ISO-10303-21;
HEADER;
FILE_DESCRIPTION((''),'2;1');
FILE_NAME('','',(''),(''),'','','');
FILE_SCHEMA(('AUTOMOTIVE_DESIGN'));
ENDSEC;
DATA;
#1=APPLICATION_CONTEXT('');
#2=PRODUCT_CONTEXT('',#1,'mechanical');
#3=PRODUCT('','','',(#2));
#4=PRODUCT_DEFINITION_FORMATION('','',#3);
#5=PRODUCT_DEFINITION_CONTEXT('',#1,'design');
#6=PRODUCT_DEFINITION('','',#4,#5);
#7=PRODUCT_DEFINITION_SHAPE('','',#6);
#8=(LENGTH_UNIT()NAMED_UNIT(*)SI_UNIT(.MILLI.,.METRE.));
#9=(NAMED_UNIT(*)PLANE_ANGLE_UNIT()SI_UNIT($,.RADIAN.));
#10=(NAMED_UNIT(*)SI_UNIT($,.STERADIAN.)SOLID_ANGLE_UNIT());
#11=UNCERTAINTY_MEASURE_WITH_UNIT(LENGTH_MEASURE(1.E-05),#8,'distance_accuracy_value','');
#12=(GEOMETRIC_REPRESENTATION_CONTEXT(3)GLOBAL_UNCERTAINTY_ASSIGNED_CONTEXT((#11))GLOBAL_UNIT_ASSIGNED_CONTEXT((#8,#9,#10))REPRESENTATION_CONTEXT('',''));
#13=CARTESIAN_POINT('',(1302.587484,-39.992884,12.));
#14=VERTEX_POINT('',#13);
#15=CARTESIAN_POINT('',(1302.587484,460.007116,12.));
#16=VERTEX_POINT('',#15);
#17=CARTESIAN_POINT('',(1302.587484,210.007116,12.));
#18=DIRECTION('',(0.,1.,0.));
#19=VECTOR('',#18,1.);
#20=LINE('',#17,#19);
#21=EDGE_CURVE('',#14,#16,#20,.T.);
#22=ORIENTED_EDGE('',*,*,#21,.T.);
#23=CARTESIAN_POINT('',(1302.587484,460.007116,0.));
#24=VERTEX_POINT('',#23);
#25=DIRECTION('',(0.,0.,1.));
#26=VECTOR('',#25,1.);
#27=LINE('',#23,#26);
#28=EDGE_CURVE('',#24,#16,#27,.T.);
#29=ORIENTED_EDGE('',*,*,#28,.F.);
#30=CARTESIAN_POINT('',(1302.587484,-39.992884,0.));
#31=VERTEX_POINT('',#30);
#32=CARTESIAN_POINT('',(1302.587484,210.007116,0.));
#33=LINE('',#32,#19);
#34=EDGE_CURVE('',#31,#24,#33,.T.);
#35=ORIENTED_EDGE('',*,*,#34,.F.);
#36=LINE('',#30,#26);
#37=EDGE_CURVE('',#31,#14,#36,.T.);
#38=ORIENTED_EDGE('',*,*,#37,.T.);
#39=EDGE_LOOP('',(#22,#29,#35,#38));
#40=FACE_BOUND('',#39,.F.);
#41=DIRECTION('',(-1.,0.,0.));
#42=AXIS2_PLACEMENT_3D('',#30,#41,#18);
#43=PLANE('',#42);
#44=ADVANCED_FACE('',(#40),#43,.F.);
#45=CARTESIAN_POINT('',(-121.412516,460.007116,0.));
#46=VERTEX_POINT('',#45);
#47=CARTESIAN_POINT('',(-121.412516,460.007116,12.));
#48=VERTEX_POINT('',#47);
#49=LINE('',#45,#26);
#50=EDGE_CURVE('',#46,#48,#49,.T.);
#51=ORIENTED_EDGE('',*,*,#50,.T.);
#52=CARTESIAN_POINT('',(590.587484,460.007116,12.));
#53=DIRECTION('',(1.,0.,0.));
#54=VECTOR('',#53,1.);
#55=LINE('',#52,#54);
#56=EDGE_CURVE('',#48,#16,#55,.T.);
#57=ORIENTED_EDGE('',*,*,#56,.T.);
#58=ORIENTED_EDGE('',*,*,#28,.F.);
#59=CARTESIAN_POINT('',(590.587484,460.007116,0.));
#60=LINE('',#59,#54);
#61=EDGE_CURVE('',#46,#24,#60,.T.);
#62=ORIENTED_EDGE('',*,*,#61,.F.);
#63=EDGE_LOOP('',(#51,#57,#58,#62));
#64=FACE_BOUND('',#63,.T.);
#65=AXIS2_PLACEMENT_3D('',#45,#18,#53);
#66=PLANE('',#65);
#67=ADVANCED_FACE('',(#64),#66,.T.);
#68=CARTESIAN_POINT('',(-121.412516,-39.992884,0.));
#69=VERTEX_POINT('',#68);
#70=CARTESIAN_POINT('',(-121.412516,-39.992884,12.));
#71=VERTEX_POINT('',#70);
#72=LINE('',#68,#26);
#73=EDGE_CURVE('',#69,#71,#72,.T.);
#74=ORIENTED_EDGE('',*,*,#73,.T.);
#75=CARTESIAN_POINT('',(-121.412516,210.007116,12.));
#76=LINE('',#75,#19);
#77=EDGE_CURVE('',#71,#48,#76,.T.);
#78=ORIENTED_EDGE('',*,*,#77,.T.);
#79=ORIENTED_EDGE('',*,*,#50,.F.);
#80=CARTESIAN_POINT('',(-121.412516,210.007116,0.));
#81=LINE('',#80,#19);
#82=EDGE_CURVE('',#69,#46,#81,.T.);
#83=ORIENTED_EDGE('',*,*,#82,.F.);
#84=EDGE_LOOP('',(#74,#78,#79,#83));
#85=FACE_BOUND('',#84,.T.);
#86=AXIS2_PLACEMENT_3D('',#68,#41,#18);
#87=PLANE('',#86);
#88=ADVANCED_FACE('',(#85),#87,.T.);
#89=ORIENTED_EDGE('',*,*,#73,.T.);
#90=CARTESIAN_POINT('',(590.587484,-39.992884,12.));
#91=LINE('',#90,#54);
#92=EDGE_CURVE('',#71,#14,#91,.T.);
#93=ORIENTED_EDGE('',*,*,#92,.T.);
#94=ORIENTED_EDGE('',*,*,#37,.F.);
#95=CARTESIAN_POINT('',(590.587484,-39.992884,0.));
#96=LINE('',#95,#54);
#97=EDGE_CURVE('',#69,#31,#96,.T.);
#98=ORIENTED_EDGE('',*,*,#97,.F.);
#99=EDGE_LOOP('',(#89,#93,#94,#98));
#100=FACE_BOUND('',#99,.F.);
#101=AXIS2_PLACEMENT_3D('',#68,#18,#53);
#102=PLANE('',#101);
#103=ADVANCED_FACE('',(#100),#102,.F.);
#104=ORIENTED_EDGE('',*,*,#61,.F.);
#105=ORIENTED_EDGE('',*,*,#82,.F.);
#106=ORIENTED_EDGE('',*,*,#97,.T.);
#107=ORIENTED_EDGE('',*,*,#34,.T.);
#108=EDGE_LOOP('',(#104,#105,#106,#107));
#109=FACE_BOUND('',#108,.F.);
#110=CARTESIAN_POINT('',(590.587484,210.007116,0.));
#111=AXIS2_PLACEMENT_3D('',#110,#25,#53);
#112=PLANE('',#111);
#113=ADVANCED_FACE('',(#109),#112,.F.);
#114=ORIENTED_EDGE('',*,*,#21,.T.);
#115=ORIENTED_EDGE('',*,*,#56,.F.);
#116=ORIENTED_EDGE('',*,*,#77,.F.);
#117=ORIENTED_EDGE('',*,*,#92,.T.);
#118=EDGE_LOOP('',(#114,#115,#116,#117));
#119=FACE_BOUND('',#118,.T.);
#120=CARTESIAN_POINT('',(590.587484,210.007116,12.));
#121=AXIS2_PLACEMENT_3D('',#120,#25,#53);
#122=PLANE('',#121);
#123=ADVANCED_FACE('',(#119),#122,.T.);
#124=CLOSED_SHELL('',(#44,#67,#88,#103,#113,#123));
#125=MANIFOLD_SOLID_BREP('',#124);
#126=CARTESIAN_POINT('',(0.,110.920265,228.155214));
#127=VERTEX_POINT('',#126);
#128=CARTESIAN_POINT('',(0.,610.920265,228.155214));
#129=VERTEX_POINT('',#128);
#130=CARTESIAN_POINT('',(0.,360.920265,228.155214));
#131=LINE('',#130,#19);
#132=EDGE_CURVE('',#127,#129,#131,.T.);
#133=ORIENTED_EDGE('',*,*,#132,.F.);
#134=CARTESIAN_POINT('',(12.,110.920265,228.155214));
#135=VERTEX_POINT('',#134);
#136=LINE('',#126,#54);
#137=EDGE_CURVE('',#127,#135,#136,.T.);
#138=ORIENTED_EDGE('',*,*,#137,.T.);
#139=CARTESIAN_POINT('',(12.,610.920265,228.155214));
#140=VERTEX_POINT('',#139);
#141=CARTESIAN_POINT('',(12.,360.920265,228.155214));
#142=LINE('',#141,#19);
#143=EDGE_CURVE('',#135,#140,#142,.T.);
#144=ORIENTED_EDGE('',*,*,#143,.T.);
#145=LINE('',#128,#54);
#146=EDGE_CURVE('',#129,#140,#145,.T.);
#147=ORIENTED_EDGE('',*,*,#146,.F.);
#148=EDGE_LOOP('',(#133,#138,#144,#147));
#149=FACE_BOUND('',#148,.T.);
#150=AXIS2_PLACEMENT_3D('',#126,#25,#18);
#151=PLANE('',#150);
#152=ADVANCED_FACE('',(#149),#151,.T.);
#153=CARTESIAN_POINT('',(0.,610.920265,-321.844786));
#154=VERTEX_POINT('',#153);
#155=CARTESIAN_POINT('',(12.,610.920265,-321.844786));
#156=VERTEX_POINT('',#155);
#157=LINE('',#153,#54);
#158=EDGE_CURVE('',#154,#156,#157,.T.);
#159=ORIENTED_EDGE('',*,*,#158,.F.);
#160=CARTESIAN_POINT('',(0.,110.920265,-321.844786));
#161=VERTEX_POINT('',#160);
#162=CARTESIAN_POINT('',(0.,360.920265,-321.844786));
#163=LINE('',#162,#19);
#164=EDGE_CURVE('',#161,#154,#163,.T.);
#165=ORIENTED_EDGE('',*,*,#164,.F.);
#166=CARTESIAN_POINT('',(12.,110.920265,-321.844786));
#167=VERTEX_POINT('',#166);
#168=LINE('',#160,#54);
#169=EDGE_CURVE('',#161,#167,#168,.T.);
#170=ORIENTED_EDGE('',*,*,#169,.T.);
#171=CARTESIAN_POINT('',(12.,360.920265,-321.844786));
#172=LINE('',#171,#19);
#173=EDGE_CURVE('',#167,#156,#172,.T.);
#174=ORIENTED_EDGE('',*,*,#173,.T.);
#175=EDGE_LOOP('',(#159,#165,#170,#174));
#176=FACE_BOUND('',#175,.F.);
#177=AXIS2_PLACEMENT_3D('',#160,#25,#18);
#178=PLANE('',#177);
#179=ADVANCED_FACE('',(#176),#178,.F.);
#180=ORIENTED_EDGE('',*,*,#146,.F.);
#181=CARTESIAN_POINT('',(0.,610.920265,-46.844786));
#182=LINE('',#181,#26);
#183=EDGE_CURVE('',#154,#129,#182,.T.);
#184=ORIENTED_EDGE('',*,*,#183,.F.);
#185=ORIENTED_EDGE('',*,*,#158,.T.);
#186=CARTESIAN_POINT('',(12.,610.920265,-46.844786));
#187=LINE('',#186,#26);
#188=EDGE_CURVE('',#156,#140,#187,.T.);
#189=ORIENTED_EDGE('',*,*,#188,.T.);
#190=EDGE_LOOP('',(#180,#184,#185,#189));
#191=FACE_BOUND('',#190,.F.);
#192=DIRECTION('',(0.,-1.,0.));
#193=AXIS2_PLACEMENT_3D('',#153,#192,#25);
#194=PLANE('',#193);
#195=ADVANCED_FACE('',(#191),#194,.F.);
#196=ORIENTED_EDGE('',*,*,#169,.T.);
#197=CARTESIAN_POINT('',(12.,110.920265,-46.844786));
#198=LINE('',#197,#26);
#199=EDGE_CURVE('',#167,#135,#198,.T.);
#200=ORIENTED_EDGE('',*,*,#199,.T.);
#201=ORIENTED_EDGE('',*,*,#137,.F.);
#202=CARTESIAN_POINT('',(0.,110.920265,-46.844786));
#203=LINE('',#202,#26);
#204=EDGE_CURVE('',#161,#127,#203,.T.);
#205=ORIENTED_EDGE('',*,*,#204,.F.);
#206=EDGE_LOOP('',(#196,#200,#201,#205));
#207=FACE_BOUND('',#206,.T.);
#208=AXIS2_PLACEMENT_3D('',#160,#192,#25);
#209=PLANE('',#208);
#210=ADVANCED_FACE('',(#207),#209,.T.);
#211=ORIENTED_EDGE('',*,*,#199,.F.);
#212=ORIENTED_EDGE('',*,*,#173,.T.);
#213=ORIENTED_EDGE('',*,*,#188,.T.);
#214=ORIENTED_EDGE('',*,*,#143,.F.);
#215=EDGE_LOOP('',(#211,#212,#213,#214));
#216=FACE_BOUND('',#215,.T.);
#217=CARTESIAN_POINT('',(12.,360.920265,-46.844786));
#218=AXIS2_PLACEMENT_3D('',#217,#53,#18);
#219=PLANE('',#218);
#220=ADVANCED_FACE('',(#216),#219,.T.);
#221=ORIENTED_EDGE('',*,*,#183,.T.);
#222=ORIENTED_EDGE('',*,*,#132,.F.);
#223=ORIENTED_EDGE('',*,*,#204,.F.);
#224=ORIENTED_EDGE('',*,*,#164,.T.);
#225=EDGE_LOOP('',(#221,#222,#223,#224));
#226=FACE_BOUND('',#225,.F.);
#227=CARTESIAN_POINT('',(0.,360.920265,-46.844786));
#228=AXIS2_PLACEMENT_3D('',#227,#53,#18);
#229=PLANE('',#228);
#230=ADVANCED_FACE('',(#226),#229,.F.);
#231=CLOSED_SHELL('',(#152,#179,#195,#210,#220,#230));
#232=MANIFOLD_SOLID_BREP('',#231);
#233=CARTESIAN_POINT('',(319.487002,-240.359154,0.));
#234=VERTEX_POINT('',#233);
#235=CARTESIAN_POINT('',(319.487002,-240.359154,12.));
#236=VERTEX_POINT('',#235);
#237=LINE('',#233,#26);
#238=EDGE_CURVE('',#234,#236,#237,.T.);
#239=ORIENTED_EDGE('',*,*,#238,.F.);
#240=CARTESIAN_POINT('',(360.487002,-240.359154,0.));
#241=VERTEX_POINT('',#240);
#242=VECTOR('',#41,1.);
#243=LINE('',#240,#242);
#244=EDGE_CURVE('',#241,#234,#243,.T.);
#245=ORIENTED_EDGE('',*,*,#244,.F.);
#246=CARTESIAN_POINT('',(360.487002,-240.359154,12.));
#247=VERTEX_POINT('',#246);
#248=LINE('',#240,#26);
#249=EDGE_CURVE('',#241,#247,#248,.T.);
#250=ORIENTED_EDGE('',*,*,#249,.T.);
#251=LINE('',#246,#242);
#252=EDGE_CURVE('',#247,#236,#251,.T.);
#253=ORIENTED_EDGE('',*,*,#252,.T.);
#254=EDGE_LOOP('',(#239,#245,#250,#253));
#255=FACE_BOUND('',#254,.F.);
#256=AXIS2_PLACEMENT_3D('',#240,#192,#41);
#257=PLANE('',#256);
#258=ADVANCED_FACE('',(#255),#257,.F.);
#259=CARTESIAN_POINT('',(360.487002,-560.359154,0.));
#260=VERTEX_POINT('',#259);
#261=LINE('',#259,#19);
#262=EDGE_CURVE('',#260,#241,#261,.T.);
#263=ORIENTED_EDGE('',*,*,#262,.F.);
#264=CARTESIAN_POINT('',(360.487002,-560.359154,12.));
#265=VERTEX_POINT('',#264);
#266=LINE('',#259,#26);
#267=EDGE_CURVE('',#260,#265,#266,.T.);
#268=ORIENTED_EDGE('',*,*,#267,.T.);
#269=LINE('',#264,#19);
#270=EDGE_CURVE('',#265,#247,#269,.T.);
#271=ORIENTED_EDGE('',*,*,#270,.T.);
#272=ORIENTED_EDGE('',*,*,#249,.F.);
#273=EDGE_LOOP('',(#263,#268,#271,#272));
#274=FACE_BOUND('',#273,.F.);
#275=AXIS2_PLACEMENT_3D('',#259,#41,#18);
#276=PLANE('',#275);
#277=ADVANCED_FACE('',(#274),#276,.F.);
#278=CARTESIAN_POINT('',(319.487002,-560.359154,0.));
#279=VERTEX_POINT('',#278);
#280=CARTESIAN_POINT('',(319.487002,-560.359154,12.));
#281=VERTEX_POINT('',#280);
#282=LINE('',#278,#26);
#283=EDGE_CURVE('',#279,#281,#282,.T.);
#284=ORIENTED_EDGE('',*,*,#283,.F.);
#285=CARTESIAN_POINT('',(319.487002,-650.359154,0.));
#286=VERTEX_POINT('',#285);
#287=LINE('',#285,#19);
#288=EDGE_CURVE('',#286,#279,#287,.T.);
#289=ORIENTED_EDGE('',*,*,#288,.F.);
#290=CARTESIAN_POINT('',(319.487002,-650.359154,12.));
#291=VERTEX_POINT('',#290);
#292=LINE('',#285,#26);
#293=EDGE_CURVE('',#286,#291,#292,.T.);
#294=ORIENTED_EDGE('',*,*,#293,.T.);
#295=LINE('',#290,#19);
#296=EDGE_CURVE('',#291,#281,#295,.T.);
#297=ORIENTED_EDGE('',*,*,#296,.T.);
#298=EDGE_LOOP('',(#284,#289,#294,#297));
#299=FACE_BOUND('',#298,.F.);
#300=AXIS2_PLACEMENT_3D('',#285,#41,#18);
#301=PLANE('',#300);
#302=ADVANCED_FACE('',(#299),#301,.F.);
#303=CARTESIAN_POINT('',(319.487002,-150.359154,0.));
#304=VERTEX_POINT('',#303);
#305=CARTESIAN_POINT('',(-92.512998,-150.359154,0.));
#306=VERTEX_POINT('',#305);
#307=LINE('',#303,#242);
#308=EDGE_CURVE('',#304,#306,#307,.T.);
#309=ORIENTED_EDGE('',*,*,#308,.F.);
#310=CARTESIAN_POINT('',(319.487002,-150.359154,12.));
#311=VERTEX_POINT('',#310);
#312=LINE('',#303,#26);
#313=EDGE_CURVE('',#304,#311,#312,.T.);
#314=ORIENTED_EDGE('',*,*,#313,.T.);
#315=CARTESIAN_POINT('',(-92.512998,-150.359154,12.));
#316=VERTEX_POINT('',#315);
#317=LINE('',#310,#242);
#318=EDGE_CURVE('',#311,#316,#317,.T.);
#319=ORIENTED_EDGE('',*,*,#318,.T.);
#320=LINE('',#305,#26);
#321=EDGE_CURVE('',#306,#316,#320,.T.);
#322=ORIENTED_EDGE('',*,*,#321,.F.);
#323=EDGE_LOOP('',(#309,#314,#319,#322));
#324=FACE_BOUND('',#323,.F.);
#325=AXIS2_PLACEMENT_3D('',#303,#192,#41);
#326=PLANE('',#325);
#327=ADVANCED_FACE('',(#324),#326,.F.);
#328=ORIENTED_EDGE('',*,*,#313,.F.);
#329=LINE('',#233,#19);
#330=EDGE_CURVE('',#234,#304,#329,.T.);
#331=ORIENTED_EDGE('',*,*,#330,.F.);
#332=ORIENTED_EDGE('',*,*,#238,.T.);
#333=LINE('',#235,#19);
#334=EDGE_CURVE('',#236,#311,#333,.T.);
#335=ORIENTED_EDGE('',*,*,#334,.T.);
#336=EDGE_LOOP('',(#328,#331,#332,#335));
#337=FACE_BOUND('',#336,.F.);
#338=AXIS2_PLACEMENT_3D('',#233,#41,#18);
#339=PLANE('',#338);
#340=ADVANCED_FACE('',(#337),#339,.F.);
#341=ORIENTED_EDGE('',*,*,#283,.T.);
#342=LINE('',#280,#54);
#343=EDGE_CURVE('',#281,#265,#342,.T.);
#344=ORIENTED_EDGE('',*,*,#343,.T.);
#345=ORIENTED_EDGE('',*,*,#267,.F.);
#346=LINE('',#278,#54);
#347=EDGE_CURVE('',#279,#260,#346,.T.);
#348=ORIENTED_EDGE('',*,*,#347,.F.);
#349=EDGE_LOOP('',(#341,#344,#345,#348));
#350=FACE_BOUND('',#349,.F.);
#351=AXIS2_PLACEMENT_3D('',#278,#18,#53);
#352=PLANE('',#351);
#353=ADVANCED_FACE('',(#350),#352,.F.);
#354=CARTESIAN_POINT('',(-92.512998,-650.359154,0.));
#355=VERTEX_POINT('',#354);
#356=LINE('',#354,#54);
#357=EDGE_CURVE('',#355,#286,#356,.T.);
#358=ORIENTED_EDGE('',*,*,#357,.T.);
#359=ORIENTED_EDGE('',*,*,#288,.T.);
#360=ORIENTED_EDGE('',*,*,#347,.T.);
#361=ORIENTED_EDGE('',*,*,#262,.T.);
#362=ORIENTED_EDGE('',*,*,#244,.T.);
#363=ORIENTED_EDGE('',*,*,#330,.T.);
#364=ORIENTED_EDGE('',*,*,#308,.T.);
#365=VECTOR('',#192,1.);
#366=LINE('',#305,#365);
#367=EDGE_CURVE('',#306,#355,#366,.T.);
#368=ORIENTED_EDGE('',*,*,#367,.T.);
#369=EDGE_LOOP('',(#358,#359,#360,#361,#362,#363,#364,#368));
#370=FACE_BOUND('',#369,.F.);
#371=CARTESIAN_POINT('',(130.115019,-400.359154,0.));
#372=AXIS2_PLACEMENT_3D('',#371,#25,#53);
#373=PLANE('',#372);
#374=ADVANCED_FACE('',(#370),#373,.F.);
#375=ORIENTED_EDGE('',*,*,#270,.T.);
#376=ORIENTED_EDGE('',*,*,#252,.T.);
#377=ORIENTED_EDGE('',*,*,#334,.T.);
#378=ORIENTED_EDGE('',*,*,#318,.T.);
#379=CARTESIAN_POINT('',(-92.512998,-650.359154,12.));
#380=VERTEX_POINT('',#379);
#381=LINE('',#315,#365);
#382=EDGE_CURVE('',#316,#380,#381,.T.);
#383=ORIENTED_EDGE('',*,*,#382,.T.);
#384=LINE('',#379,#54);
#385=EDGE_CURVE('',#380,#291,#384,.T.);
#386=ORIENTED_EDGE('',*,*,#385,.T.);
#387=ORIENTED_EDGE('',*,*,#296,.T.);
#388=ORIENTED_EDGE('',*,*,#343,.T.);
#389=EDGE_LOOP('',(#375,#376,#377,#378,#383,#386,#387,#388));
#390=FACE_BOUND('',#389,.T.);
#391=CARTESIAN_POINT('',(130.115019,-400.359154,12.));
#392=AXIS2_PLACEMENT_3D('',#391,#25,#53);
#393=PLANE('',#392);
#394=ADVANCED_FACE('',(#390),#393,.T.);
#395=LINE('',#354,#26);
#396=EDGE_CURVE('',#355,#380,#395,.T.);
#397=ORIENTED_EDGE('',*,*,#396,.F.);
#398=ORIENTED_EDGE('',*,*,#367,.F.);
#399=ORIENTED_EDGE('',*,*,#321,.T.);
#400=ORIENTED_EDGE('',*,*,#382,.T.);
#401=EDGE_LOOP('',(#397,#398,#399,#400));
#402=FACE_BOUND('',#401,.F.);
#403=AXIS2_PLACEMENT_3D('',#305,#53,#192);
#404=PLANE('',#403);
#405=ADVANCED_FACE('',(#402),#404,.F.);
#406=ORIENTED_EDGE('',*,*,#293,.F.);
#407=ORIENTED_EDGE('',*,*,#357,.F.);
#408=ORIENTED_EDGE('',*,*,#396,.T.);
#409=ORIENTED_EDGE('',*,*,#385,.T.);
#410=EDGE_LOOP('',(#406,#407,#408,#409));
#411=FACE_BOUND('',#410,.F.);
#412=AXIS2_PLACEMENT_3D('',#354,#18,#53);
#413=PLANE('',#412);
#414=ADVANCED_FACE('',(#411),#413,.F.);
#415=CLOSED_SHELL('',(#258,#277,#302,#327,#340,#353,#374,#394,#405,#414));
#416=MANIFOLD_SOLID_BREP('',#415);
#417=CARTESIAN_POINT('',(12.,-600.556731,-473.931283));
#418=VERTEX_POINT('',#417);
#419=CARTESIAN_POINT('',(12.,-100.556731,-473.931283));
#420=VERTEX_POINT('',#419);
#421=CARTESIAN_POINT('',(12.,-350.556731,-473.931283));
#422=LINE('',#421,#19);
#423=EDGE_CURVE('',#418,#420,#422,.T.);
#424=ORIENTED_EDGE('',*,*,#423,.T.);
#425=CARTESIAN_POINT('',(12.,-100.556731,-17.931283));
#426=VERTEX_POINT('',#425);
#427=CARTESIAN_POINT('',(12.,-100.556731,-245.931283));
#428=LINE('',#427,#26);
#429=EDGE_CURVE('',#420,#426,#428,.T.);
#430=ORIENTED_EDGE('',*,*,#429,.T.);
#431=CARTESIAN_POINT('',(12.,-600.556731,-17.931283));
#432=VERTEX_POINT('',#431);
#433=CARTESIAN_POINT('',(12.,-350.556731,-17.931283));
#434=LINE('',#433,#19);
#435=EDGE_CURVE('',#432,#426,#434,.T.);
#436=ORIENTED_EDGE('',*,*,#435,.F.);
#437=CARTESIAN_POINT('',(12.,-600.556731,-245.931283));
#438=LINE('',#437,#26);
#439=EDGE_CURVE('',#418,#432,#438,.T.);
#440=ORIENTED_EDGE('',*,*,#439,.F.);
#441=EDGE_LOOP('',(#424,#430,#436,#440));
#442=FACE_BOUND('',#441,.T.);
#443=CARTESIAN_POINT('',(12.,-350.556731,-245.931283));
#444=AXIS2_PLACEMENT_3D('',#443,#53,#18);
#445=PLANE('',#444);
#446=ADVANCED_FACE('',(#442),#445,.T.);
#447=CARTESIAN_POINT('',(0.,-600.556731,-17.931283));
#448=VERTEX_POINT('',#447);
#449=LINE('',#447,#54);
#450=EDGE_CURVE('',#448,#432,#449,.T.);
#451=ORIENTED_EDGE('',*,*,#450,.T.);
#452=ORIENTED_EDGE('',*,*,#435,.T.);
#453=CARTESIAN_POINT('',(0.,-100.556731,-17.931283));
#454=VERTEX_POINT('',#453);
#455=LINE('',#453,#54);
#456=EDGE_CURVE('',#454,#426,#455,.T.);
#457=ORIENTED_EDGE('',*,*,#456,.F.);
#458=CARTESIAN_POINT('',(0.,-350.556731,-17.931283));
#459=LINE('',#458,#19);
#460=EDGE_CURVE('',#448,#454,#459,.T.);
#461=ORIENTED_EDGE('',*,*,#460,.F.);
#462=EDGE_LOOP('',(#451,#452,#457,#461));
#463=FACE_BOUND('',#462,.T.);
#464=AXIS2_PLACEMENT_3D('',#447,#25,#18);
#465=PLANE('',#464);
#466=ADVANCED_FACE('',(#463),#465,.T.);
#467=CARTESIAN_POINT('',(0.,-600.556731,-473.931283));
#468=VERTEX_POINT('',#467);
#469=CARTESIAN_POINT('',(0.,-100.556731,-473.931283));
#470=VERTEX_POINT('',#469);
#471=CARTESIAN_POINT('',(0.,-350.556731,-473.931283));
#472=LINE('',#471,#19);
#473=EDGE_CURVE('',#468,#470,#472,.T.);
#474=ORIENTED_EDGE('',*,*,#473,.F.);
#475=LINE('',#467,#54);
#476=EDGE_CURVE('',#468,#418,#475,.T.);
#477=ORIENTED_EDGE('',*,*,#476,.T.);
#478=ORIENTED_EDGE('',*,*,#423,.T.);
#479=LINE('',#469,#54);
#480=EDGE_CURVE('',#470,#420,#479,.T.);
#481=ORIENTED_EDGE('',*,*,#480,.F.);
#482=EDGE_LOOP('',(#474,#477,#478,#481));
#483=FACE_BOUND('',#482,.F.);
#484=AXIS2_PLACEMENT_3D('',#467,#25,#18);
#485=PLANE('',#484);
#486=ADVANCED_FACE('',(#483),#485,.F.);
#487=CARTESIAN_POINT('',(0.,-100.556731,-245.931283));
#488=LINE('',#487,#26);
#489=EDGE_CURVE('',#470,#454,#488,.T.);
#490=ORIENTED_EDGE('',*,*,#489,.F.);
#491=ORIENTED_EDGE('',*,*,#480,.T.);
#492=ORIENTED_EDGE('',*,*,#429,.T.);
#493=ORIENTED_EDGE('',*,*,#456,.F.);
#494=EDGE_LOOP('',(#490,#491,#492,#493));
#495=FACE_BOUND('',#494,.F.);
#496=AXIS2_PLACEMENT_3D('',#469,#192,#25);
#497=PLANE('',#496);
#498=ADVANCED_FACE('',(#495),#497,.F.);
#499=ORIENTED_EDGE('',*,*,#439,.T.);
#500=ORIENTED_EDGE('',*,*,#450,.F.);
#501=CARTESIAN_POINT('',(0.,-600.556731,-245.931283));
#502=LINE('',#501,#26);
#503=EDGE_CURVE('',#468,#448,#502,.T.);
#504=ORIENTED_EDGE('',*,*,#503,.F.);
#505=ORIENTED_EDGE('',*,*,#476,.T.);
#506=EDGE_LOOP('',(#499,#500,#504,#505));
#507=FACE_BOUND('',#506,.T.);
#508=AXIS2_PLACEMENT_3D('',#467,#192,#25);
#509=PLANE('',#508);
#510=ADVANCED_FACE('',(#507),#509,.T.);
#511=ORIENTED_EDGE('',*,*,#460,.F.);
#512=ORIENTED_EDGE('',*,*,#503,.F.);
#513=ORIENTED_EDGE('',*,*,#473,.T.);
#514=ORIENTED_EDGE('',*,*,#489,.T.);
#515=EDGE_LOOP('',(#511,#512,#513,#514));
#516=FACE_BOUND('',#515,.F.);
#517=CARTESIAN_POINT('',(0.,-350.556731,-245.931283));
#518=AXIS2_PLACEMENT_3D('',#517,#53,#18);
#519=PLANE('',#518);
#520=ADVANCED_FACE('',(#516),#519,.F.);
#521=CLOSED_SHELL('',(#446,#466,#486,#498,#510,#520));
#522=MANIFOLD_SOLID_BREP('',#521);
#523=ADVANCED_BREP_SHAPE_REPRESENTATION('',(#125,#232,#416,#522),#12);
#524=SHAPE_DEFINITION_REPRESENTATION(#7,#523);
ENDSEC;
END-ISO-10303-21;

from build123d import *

# Parameters (mm, degrees)
F0_W     = 1424
F0_H     = 500
F1_DEPTH = 12
F2_W     = 500
F2_H     = 550
F3_DEPTH = 12
F5_DEPTH = 12
F6_W     = 500
F6_H     = 456
F7_DEPTH = 12


with BuildPart() as f1:
    # F0 (on Top) → F1 (new body)
    with BuildSketch(Plane.XY):
        with Locations((590.587484, 210.007116)):
            Rectangle(F0_W, F0_H)
    extrude(amount=F1_DEPTH)


with BuildPart() as f3:
    # F2 (on Right) → F3 (new body)
    with BuildSketch(Plane.YZ):
        with Locations((360.920265, -46.844786)):
            Rectangle(F2_W, F2_H)
    extrude(amount=F3_DEPTH)


with BuildPart() as f5:
    # F4 (on Top) → F5 (new body)
    with BuildSketch(Plane.XY):
        Polygon((319.487002, -150.359154), (-92.512998, -150.359154), (-92.512998, -650.359154), (319.487002, -650.359154), (319.487002, -560.359154), (360.487002, -560.359154), (360.487002, -240.359154), (319.487002, -240.359154), align=None)
    extrude(amount=F5_DEPTH)


with BuildPart() as f7:
    # F6 (on Right) → F7 (new body)
    with BuildSketch(Plane.YZ):
        with Locations((-350.556731, -245.931283)):
            Rectangle(F6_W, F6_H)
    extrude(amount=F7_DEPTH)


solid = Compound([f1.part, f3.part, f5.part, f7.part])
